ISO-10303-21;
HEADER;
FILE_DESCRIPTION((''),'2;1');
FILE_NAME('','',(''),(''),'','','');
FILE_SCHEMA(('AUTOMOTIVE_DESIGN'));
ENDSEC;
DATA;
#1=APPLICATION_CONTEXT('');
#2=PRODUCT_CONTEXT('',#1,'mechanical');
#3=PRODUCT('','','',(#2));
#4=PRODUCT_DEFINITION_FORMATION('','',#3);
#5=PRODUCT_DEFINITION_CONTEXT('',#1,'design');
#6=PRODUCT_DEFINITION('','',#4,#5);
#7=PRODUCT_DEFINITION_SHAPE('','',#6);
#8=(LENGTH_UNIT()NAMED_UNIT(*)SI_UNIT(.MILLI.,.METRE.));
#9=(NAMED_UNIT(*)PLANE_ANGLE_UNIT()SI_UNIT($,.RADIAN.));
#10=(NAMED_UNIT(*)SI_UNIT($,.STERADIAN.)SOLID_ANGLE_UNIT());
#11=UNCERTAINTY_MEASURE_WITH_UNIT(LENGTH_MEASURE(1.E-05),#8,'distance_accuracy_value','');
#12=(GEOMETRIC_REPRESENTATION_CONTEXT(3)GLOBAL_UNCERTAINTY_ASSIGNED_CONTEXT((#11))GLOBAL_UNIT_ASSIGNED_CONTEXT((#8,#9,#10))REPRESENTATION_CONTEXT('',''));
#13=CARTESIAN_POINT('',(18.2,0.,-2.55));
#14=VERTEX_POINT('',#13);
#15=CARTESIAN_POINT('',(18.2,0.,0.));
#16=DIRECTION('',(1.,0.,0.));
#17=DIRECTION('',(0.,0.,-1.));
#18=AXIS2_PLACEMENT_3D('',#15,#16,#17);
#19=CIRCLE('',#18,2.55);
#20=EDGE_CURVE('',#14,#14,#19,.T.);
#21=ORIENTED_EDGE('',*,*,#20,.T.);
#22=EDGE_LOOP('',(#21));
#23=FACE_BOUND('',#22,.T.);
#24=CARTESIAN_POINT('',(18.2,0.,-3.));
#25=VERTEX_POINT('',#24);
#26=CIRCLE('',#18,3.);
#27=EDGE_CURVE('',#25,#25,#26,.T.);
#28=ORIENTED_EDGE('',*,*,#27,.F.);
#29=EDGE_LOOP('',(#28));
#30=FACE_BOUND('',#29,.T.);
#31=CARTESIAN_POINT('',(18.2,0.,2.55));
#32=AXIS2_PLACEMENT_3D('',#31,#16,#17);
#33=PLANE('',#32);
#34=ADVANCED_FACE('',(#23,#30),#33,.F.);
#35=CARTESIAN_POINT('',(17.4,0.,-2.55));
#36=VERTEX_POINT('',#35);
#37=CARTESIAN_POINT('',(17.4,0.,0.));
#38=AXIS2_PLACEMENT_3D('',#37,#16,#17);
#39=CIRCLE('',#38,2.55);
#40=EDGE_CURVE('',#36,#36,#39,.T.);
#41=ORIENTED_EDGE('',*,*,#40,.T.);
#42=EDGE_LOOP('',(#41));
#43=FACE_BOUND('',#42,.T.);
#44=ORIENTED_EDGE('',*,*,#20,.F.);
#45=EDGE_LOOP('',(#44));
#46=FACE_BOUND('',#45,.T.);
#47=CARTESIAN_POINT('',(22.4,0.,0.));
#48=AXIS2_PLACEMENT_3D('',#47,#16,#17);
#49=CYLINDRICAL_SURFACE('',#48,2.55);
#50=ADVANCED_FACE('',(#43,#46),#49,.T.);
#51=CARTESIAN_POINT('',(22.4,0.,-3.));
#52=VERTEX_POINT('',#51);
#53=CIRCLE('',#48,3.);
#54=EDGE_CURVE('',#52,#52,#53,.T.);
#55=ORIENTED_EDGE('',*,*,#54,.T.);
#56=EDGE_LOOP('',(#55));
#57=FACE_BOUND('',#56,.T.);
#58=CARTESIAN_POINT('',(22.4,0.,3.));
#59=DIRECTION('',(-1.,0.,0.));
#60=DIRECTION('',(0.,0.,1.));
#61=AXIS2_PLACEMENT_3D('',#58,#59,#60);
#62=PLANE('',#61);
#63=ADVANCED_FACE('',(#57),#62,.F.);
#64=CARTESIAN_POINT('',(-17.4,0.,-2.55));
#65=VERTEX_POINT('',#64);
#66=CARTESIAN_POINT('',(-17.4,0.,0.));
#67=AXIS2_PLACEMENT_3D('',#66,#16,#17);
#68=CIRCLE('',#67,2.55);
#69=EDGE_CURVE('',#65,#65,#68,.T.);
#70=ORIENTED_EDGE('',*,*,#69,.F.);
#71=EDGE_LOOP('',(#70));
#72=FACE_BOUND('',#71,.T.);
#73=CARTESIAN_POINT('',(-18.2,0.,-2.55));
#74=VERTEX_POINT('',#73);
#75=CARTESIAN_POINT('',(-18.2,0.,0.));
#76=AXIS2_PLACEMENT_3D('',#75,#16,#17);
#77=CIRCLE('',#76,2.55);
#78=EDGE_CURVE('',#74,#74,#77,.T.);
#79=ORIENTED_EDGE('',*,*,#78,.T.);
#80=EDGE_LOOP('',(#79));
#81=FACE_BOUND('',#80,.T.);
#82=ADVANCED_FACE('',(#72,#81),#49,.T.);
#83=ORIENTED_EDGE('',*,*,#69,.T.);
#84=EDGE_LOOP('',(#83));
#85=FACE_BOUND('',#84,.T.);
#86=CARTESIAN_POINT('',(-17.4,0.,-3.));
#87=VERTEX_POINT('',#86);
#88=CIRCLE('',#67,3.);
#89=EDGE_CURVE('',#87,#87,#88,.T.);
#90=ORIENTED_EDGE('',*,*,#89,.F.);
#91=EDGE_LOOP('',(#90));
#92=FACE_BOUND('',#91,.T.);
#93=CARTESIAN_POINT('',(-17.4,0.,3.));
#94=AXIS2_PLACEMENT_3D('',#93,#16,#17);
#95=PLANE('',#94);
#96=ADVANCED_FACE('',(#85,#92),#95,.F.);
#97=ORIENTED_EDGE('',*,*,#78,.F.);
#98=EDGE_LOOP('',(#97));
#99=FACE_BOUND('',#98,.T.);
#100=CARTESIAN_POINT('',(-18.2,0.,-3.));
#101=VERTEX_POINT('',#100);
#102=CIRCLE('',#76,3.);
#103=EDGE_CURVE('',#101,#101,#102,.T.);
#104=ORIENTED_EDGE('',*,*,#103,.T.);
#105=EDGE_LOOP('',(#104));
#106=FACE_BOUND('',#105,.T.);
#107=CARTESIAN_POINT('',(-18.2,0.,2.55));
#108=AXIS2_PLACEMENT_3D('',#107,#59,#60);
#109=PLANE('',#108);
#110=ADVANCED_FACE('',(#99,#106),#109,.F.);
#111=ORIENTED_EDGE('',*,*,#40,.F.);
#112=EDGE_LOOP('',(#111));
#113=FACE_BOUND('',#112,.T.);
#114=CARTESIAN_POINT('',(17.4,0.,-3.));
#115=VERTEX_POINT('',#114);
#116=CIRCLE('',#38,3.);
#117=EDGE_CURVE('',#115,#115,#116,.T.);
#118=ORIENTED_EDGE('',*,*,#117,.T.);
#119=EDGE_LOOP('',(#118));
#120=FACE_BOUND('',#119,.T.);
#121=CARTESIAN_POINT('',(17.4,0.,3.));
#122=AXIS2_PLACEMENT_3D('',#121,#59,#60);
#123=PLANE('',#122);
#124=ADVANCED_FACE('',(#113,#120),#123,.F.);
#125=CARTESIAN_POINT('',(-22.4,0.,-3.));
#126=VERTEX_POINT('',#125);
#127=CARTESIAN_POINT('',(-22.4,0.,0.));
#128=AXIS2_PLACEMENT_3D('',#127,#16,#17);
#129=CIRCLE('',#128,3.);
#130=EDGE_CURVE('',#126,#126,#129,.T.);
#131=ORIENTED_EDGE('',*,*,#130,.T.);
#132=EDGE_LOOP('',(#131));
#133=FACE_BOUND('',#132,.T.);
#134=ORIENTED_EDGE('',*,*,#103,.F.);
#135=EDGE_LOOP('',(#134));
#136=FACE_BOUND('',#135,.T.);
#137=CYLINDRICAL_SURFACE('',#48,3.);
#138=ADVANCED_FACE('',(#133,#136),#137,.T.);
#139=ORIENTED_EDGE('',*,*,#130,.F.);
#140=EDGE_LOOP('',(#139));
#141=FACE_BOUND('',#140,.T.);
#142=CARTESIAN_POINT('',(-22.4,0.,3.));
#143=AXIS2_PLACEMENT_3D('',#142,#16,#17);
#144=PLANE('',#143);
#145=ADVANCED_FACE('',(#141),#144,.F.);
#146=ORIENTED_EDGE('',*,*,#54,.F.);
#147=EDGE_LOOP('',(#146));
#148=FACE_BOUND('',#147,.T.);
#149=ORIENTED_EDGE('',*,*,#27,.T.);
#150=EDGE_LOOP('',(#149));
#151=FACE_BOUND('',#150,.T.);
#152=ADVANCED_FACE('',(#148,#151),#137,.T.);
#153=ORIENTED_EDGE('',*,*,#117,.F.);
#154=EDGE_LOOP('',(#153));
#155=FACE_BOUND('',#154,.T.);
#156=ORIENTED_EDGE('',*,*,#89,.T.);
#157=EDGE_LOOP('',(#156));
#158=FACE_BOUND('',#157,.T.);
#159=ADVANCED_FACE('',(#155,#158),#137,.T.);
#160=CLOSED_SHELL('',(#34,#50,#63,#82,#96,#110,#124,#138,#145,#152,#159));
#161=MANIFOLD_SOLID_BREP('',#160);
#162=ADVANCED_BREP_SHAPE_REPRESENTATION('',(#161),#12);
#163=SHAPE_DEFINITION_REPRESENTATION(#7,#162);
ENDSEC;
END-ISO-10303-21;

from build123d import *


with BuildPart() as part:
    # Croquis1 → Revolución1 (revolve)
    with BuildSketch(Plane(origin=(0, 0, 0), x_dir=(-1, 0, 0), z_dir=(0, 1, 0)), mode=Mode.PRIVATE) as revoluci_n1_sk:
        Polygon((-17.4, 3), (17.4, 3), (17.4, 2.55), (18.2, 2.55), (18.2, 3), (22.4, 3), (22.4, 0), (-22.4, 0), (-22.4, 3), (-18.2, 3), (-18.2, 2.55), (-17.4, 2.55), align=None)
    revolve(revoluci_n1_sk.sketch.rotate(Axis((22.4, 0, 0), (-1, 0, 0)), 180), axis=Axis((22.4, 0, 0), (-1, 0, 0)))


solid = part.part
